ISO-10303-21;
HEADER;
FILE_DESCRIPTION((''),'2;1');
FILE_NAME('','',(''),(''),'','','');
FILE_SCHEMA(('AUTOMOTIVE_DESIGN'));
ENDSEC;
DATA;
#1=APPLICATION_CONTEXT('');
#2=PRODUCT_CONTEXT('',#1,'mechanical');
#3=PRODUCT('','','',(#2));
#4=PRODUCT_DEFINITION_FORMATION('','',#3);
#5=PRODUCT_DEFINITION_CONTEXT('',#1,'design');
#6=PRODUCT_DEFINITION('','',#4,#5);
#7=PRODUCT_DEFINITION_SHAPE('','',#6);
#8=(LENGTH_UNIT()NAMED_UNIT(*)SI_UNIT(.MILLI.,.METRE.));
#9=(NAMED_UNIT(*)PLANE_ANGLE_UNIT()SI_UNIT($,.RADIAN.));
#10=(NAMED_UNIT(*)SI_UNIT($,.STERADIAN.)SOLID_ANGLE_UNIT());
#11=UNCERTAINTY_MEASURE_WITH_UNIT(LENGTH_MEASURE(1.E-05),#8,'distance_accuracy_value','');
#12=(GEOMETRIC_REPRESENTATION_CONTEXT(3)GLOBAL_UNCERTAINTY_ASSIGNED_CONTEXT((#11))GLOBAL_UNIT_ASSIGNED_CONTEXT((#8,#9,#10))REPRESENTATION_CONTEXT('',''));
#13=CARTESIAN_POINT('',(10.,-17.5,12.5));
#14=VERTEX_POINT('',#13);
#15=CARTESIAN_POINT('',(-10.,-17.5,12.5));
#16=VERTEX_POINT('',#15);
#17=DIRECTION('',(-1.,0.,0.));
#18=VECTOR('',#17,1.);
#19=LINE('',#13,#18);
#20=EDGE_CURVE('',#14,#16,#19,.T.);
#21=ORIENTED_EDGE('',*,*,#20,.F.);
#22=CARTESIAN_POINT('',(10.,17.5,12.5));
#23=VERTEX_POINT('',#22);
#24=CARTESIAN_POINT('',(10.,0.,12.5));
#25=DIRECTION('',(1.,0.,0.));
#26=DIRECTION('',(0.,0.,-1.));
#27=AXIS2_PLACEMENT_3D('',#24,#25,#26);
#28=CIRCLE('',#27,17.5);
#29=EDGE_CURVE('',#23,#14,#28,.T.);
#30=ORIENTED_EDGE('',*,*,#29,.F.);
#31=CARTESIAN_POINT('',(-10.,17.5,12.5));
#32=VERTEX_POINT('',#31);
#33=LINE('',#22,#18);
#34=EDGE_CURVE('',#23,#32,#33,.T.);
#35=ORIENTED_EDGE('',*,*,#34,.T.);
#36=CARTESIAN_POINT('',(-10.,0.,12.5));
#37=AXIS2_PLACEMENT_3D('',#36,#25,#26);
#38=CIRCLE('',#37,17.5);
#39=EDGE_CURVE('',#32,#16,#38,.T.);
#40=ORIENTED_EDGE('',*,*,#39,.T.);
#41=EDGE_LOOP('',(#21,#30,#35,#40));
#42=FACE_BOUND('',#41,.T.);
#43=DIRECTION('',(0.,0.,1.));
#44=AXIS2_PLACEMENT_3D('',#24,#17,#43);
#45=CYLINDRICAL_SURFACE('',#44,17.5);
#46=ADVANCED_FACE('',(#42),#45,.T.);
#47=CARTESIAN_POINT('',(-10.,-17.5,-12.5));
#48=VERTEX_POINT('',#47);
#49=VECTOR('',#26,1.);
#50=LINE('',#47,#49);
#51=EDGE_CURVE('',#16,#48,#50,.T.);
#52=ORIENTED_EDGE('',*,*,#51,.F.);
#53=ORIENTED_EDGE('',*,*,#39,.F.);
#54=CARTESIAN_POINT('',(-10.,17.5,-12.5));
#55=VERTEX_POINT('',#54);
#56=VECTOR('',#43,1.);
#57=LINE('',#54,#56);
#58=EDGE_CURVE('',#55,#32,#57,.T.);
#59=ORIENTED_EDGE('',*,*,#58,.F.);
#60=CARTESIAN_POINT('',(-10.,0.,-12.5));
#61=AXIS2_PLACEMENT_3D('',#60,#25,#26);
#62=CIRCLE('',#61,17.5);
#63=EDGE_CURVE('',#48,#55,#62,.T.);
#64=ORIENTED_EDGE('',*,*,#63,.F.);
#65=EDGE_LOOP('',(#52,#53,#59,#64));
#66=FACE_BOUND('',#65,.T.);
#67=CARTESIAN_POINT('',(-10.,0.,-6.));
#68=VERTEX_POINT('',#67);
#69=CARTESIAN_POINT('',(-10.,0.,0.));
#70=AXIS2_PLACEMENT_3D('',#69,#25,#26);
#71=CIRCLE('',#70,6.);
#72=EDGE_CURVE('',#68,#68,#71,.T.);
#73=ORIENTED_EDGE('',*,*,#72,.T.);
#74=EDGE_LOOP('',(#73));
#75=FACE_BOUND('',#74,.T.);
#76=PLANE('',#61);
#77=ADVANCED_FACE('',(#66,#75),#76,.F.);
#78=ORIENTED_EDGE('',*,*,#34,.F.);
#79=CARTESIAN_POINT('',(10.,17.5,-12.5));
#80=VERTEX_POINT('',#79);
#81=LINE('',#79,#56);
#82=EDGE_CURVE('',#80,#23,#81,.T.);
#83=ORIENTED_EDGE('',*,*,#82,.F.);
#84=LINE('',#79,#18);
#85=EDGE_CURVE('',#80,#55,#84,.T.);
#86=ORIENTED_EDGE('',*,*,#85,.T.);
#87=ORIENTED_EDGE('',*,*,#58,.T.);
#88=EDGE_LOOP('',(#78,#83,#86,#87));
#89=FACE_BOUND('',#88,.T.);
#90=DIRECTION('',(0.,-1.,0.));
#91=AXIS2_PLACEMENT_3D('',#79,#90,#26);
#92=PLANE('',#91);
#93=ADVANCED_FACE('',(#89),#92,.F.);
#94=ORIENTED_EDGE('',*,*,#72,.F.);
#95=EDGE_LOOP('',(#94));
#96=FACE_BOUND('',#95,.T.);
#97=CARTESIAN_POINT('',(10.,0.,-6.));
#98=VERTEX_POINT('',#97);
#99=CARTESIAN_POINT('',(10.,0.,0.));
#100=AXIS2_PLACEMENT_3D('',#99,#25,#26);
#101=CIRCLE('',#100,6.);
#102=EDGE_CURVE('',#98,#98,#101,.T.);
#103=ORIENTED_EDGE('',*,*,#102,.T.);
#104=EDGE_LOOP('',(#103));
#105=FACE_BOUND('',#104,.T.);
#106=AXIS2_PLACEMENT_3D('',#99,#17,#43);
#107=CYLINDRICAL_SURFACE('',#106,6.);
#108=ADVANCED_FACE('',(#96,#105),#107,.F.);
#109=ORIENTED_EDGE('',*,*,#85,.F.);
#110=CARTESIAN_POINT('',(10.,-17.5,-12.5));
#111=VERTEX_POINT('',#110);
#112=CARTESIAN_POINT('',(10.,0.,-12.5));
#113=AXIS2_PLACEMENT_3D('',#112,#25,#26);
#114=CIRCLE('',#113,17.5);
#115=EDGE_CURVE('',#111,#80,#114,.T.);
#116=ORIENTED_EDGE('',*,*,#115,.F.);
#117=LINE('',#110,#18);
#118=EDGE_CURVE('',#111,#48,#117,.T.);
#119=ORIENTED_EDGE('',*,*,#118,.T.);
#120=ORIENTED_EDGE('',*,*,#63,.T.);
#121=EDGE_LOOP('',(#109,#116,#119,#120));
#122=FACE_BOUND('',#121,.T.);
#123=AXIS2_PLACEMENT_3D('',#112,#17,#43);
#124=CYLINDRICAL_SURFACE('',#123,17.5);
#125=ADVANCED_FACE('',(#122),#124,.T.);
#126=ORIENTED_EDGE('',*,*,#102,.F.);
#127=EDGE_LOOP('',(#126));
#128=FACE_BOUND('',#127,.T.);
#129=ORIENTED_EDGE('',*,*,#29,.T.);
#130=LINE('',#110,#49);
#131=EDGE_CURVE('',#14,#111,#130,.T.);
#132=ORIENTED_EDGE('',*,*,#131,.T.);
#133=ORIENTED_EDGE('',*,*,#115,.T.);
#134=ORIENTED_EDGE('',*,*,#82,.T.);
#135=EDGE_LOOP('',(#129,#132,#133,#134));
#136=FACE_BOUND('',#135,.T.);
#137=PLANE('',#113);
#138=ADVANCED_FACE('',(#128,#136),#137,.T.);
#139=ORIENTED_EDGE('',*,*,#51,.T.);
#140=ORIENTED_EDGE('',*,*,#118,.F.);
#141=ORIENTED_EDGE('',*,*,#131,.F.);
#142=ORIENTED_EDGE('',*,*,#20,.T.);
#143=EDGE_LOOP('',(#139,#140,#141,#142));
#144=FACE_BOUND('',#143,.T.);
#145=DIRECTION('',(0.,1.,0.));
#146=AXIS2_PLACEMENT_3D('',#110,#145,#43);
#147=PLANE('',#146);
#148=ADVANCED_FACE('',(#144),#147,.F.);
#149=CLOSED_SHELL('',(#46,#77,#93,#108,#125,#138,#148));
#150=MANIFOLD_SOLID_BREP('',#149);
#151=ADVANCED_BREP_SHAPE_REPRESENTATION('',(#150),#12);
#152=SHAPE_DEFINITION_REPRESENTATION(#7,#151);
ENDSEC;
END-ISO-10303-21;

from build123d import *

# Parameters (mm, degrees)
SKETCH1_R           = 6
BOSS_EXTRUDE1_DEPTH = 10


with BuildPart() as part:
    # Sketch1 → Boss-Extrude1 (new, symmetric)
    with BuildSketch(Plane(origin=(0, 0, 0), x_dir=(0, 0, -1), z_dir=(1, 0, 0))):
        with BuildLine():
            Line((12.5, -17.5), (-12.5, -17.5))
            ThreePointArc((-12.5, -17.5), (-30, 0), (-12.5, 17.5))
            Line((-12.5, 17.5), (12.5, 17.5))
            ThreePointArc((12.5, 17.5), (30, 0), (12.5, -17.5))
        make_face()
        Circle(SKETCH1_R, mode=Mode.SUBTRACT)
    extrude(amount=BOSS_EXTRUDE1_DEPTH, both=True)


solid = part.part
